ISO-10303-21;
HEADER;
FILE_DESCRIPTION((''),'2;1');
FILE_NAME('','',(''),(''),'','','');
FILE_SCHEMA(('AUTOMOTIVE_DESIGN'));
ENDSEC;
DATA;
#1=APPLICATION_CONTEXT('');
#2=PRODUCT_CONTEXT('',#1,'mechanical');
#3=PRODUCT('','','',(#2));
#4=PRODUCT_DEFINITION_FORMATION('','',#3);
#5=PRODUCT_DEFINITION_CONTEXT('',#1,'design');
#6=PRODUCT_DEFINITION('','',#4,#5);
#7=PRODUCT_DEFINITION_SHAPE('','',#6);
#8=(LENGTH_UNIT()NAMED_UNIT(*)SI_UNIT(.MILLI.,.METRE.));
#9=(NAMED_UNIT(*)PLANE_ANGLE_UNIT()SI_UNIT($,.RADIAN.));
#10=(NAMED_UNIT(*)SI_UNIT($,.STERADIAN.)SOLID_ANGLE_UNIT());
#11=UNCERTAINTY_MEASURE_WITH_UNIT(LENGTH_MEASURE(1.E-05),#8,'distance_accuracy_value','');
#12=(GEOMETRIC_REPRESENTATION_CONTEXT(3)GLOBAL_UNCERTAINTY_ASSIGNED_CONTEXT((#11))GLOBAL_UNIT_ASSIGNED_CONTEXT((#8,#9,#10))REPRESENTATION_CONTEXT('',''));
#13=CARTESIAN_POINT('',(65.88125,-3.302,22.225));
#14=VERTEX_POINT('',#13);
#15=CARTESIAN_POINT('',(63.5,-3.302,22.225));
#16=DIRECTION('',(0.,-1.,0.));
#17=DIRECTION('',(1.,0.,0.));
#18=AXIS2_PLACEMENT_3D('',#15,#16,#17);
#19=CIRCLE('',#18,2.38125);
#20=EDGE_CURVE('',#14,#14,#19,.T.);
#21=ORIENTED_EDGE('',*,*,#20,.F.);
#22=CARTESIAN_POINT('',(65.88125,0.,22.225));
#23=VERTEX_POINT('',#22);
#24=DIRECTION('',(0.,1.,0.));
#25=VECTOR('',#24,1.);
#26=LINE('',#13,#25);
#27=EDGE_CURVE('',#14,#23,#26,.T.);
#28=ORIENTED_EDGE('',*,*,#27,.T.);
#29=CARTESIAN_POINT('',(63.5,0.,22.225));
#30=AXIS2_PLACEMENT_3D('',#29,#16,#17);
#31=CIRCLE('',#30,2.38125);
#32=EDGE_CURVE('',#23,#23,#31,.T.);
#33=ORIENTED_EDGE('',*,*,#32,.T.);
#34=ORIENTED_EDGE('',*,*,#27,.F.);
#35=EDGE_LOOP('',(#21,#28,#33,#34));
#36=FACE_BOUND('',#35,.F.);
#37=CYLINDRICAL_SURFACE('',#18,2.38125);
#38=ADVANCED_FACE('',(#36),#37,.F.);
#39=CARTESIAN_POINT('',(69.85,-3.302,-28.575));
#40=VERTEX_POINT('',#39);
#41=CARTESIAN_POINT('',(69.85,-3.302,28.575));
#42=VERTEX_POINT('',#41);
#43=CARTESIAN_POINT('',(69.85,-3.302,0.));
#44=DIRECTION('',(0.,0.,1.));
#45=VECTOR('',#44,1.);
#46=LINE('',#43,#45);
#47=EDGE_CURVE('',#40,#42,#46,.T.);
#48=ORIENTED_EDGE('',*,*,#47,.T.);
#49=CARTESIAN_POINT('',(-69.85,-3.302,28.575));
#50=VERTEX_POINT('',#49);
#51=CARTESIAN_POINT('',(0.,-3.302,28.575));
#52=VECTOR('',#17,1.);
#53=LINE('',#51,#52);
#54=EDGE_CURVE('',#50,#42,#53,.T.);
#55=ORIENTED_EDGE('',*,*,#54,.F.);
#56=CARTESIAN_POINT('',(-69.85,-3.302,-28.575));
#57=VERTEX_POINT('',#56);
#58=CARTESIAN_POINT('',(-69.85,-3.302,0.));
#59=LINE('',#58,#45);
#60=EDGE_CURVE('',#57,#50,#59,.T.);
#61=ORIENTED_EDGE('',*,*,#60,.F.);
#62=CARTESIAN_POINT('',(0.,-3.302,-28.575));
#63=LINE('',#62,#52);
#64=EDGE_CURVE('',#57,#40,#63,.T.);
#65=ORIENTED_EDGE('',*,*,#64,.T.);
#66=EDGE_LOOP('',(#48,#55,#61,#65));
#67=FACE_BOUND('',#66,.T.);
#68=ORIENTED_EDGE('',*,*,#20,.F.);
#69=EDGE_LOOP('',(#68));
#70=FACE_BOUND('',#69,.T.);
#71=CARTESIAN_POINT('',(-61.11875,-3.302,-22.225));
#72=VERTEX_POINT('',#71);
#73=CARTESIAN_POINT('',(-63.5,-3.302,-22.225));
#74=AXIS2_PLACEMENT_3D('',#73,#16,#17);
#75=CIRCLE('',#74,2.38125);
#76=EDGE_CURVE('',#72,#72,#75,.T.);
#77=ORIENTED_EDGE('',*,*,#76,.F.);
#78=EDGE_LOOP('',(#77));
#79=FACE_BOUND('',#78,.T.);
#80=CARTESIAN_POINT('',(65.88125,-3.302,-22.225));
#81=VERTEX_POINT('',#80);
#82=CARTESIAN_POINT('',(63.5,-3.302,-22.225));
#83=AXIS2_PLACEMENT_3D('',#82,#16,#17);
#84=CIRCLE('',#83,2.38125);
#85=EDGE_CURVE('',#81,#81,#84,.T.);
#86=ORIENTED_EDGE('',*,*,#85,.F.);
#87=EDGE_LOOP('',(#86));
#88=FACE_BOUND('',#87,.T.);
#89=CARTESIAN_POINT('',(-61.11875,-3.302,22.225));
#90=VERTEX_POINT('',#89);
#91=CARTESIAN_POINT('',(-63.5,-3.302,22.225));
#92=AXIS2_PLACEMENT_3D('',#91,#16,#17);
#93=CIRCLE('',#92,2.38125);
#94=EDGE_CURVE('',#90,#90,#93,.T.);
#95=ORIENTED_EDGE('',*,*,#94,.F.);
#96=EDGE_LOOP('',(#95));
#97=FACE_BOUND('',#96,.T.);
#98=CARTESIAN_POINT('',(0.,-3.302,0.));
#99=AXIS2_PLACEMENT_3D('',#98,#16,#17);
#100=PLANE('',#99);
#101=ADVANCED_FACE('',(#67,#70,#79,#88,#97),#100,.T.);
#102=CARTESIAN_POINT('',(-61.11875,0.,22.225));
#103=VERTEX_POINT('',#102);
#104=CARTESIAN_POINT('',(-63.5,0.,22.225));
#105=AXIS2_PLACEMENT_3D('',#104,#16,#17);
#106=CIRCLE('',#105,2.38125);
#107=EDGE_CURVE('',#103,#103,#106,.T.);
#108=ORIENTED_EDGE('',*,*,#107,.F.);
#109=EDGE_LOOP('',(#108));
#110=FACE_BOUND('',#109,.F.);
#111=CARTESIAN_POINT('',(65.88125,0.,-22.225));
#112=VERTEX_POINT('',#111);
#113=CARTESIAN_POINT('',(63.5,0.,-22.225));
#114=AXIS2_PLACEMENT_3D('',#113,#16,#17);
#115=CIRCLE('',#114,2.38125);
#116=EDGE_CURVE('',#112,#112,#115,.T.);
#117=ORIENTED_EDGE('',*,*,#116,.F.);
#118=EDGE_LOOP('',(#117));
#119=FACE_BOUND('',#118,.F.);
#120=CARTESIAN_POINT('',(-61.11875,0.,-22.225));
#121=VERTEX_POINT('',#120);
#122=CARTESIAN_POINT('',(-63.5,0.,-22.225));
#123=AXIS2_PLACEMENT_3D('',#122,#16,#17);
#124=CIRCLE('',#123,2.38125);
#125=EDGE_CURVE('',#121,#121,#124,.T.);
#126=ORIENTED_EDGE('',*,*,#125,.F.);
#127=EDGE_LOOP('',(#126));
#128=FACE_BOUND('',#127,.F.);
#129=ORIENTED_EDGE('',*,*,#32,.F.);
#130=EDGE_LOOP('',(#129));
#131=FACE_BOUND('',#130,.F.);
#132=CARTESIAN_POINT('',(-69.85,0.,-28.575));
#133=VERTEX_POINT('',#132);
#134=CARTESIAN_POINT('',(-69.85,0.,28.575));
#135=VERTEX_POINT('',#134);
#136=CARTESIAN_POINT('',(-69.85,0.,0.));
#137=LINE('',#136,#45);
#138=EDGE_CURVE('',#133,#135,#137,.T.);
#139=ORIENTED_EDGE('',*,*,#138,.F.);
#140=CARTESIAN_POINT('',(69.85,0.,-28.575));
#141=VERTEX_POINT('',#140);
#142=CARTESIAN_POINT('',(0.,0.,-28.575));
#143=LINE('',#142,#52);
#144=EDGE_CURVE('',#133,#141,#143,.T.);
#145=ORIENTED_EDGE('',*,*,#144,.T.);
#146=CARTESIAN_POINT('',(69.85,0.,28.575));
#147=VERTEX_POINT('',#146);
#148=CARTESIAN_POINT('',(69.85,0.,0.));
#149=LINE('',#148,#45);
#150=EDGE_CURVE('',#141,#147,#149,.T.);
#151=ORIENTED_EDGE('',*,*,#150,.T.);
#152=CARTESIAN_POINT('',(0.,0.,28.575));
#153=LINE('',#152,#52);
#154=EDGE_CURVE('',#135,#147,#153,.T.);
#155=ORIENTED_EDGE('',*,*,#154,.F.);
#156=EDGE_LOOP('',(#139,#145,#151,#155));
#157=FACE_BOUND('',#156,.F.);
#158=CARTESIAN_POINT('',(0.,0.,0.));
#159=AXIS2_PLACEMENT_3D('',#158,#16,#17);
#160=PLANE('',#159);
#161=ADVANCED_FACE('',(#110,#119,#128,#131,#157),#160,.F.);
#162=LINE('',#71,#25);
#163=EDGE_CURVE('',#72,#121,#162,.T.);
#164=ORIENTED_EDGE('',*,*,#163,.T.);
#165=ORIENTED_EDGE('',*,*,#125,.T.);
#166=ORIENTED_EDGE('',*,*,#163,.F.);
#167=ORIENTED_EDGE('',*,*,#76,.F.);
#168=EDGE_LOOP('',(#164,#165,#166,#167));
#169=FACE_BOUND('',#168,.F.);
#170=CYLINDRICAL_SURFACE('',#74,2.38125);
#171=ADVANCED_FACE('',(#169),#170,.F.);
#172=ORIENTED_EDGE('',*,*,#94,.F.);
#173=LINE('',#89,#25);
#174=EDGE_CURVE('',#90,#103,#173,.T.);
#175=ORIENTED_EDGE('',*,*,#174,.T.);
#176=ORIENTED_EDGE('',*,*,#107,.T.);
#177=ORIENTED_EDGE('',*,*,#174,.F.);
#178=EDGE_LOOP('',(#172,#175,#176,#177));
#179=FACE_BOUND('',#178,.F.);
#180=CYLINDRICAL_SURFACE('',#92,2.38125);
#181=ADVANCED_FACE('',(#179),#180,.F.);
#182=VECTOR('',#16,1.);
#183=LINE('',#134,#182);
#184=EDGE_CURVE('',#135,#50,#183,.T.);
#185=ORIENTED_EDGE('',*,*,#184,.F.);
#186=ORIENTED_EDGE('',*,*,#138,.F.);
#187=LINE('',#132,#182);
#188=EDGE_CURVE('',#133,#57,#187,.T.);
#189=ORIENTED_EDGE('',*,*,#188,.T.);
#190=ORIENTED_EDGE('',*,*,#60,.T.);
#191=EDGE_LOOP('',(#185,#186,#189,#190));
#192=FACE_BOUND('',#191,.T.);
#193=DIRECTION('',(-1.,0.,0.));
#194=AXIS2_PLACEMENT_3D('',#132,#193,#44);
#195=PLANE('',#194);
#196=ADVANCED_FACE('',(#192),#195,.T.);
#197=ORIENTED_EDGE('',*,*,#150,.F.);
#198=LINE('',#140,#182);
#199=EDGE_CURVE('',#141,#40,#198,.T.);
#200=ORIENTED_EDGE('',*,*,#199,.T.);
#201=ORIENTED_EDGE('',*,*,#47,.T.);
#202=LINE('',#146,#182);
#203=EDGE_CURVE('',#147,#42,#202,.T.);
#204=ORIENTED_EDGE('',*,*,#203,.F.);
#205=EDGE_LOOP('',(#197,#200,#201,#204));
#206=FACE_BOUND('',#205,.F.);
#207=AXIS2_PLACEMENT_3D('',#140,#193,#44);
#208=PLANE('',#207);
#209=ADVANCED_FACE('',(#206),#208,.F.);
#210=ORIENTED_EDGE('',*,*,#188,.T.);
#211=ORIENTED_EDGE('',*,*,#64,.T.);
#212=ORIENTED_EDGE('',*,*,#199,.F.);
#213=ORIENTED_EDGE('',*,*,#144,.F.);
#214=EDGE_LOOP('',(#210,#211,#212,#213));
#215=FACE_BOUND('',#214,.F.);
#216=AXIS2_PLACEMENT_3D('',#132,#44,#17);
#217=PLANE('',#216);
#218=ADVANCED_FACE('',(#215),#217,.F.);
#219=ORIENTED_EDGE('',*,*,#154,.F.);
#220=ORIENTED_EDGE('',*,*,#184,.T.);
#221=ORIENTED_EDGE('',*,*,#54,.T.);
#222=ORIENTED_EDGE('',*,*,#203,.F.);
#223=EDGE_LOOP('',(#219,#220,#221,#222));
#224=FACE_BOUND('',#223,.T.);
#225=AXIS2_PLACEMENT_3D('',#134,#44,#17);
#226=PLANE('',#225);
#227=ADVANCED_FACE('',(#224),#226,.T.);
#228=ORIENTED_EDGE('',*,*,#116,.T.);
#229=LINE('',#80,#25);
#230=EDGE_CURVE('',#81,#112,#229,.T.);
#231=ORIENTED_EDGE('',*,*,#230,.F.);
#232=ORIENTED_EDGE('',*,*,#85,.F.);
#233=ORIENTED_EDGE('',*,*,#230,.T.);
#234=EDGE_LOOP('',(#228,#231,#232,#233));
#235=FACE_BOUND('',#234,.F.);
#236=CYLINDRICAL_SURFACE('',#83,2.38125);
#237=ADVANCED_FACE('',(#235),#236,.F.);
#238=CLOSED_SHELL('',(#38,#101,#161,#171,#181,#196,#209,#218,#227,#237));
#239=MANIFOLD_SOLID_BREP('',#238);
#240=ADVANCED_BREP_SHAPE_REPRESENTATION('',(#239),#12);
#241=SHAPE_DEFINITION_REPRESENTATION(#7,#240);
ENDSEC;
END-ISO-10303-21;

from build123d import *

# Parameters (mm, degrees)
F0_W     = 139.7
F0_H     = 57.15
F1_DEPTH = 3.302
F2_R     = 2.38125
F4_DEPTH = 3.302
F3_R     = 2.38125
F5_DEPTH = 3.302
F6_R     = 2.38125
F7_DEPTH = 3.302
F8_R     = 2.38125
F9_DEPTH = 3.302


with BuildPart() as f1:
    # F0 (on Front) → F1 (new body)
    with BuildSketch(Plane.XZ):
        Rectangle(F0_W, F0_H)
    extrude(amount=F1_DEPTH)

    # F2 (on face) → F4 (cut)
    with BuildSketch(Plane.XZ.offset(3.302)):
        with Locations((-63.5, 22.225)):
            Circle(F2_R)
    extrude(amount=-F4_DEPTH, mode=Mode.SUBTRACT)

    # F3 (on face) → F5 (cut)
    with BuildSketch(Plane.XZ.offset(3.302)):
        with Locations((-63.5, -22.225)):
            Circle(F3_R)
    extrude(amount=-F5_DEPTH, mode=Mode.SUBTRACT)

    # F6 (on face) → F7 (cut)
    with BuildSketch(Plane.XZ.offset(3.302)):
        with Locations((63.5, 22.225)):
            Circle(F6_R)
    extrude(amount=-F7_DEPTH, mode=Mode.SUBTRACT)

    # F8 (on face) → F9 (cut)
    with BuildSketch(Plane.XZ.offset(3.302)):
        with Locations((63.5, -22.225)):
            Circle(F8_R)
    extrude(amount=-F9_DEPTH, mode=Mode.SUBTRACT)


solid = f1.part
